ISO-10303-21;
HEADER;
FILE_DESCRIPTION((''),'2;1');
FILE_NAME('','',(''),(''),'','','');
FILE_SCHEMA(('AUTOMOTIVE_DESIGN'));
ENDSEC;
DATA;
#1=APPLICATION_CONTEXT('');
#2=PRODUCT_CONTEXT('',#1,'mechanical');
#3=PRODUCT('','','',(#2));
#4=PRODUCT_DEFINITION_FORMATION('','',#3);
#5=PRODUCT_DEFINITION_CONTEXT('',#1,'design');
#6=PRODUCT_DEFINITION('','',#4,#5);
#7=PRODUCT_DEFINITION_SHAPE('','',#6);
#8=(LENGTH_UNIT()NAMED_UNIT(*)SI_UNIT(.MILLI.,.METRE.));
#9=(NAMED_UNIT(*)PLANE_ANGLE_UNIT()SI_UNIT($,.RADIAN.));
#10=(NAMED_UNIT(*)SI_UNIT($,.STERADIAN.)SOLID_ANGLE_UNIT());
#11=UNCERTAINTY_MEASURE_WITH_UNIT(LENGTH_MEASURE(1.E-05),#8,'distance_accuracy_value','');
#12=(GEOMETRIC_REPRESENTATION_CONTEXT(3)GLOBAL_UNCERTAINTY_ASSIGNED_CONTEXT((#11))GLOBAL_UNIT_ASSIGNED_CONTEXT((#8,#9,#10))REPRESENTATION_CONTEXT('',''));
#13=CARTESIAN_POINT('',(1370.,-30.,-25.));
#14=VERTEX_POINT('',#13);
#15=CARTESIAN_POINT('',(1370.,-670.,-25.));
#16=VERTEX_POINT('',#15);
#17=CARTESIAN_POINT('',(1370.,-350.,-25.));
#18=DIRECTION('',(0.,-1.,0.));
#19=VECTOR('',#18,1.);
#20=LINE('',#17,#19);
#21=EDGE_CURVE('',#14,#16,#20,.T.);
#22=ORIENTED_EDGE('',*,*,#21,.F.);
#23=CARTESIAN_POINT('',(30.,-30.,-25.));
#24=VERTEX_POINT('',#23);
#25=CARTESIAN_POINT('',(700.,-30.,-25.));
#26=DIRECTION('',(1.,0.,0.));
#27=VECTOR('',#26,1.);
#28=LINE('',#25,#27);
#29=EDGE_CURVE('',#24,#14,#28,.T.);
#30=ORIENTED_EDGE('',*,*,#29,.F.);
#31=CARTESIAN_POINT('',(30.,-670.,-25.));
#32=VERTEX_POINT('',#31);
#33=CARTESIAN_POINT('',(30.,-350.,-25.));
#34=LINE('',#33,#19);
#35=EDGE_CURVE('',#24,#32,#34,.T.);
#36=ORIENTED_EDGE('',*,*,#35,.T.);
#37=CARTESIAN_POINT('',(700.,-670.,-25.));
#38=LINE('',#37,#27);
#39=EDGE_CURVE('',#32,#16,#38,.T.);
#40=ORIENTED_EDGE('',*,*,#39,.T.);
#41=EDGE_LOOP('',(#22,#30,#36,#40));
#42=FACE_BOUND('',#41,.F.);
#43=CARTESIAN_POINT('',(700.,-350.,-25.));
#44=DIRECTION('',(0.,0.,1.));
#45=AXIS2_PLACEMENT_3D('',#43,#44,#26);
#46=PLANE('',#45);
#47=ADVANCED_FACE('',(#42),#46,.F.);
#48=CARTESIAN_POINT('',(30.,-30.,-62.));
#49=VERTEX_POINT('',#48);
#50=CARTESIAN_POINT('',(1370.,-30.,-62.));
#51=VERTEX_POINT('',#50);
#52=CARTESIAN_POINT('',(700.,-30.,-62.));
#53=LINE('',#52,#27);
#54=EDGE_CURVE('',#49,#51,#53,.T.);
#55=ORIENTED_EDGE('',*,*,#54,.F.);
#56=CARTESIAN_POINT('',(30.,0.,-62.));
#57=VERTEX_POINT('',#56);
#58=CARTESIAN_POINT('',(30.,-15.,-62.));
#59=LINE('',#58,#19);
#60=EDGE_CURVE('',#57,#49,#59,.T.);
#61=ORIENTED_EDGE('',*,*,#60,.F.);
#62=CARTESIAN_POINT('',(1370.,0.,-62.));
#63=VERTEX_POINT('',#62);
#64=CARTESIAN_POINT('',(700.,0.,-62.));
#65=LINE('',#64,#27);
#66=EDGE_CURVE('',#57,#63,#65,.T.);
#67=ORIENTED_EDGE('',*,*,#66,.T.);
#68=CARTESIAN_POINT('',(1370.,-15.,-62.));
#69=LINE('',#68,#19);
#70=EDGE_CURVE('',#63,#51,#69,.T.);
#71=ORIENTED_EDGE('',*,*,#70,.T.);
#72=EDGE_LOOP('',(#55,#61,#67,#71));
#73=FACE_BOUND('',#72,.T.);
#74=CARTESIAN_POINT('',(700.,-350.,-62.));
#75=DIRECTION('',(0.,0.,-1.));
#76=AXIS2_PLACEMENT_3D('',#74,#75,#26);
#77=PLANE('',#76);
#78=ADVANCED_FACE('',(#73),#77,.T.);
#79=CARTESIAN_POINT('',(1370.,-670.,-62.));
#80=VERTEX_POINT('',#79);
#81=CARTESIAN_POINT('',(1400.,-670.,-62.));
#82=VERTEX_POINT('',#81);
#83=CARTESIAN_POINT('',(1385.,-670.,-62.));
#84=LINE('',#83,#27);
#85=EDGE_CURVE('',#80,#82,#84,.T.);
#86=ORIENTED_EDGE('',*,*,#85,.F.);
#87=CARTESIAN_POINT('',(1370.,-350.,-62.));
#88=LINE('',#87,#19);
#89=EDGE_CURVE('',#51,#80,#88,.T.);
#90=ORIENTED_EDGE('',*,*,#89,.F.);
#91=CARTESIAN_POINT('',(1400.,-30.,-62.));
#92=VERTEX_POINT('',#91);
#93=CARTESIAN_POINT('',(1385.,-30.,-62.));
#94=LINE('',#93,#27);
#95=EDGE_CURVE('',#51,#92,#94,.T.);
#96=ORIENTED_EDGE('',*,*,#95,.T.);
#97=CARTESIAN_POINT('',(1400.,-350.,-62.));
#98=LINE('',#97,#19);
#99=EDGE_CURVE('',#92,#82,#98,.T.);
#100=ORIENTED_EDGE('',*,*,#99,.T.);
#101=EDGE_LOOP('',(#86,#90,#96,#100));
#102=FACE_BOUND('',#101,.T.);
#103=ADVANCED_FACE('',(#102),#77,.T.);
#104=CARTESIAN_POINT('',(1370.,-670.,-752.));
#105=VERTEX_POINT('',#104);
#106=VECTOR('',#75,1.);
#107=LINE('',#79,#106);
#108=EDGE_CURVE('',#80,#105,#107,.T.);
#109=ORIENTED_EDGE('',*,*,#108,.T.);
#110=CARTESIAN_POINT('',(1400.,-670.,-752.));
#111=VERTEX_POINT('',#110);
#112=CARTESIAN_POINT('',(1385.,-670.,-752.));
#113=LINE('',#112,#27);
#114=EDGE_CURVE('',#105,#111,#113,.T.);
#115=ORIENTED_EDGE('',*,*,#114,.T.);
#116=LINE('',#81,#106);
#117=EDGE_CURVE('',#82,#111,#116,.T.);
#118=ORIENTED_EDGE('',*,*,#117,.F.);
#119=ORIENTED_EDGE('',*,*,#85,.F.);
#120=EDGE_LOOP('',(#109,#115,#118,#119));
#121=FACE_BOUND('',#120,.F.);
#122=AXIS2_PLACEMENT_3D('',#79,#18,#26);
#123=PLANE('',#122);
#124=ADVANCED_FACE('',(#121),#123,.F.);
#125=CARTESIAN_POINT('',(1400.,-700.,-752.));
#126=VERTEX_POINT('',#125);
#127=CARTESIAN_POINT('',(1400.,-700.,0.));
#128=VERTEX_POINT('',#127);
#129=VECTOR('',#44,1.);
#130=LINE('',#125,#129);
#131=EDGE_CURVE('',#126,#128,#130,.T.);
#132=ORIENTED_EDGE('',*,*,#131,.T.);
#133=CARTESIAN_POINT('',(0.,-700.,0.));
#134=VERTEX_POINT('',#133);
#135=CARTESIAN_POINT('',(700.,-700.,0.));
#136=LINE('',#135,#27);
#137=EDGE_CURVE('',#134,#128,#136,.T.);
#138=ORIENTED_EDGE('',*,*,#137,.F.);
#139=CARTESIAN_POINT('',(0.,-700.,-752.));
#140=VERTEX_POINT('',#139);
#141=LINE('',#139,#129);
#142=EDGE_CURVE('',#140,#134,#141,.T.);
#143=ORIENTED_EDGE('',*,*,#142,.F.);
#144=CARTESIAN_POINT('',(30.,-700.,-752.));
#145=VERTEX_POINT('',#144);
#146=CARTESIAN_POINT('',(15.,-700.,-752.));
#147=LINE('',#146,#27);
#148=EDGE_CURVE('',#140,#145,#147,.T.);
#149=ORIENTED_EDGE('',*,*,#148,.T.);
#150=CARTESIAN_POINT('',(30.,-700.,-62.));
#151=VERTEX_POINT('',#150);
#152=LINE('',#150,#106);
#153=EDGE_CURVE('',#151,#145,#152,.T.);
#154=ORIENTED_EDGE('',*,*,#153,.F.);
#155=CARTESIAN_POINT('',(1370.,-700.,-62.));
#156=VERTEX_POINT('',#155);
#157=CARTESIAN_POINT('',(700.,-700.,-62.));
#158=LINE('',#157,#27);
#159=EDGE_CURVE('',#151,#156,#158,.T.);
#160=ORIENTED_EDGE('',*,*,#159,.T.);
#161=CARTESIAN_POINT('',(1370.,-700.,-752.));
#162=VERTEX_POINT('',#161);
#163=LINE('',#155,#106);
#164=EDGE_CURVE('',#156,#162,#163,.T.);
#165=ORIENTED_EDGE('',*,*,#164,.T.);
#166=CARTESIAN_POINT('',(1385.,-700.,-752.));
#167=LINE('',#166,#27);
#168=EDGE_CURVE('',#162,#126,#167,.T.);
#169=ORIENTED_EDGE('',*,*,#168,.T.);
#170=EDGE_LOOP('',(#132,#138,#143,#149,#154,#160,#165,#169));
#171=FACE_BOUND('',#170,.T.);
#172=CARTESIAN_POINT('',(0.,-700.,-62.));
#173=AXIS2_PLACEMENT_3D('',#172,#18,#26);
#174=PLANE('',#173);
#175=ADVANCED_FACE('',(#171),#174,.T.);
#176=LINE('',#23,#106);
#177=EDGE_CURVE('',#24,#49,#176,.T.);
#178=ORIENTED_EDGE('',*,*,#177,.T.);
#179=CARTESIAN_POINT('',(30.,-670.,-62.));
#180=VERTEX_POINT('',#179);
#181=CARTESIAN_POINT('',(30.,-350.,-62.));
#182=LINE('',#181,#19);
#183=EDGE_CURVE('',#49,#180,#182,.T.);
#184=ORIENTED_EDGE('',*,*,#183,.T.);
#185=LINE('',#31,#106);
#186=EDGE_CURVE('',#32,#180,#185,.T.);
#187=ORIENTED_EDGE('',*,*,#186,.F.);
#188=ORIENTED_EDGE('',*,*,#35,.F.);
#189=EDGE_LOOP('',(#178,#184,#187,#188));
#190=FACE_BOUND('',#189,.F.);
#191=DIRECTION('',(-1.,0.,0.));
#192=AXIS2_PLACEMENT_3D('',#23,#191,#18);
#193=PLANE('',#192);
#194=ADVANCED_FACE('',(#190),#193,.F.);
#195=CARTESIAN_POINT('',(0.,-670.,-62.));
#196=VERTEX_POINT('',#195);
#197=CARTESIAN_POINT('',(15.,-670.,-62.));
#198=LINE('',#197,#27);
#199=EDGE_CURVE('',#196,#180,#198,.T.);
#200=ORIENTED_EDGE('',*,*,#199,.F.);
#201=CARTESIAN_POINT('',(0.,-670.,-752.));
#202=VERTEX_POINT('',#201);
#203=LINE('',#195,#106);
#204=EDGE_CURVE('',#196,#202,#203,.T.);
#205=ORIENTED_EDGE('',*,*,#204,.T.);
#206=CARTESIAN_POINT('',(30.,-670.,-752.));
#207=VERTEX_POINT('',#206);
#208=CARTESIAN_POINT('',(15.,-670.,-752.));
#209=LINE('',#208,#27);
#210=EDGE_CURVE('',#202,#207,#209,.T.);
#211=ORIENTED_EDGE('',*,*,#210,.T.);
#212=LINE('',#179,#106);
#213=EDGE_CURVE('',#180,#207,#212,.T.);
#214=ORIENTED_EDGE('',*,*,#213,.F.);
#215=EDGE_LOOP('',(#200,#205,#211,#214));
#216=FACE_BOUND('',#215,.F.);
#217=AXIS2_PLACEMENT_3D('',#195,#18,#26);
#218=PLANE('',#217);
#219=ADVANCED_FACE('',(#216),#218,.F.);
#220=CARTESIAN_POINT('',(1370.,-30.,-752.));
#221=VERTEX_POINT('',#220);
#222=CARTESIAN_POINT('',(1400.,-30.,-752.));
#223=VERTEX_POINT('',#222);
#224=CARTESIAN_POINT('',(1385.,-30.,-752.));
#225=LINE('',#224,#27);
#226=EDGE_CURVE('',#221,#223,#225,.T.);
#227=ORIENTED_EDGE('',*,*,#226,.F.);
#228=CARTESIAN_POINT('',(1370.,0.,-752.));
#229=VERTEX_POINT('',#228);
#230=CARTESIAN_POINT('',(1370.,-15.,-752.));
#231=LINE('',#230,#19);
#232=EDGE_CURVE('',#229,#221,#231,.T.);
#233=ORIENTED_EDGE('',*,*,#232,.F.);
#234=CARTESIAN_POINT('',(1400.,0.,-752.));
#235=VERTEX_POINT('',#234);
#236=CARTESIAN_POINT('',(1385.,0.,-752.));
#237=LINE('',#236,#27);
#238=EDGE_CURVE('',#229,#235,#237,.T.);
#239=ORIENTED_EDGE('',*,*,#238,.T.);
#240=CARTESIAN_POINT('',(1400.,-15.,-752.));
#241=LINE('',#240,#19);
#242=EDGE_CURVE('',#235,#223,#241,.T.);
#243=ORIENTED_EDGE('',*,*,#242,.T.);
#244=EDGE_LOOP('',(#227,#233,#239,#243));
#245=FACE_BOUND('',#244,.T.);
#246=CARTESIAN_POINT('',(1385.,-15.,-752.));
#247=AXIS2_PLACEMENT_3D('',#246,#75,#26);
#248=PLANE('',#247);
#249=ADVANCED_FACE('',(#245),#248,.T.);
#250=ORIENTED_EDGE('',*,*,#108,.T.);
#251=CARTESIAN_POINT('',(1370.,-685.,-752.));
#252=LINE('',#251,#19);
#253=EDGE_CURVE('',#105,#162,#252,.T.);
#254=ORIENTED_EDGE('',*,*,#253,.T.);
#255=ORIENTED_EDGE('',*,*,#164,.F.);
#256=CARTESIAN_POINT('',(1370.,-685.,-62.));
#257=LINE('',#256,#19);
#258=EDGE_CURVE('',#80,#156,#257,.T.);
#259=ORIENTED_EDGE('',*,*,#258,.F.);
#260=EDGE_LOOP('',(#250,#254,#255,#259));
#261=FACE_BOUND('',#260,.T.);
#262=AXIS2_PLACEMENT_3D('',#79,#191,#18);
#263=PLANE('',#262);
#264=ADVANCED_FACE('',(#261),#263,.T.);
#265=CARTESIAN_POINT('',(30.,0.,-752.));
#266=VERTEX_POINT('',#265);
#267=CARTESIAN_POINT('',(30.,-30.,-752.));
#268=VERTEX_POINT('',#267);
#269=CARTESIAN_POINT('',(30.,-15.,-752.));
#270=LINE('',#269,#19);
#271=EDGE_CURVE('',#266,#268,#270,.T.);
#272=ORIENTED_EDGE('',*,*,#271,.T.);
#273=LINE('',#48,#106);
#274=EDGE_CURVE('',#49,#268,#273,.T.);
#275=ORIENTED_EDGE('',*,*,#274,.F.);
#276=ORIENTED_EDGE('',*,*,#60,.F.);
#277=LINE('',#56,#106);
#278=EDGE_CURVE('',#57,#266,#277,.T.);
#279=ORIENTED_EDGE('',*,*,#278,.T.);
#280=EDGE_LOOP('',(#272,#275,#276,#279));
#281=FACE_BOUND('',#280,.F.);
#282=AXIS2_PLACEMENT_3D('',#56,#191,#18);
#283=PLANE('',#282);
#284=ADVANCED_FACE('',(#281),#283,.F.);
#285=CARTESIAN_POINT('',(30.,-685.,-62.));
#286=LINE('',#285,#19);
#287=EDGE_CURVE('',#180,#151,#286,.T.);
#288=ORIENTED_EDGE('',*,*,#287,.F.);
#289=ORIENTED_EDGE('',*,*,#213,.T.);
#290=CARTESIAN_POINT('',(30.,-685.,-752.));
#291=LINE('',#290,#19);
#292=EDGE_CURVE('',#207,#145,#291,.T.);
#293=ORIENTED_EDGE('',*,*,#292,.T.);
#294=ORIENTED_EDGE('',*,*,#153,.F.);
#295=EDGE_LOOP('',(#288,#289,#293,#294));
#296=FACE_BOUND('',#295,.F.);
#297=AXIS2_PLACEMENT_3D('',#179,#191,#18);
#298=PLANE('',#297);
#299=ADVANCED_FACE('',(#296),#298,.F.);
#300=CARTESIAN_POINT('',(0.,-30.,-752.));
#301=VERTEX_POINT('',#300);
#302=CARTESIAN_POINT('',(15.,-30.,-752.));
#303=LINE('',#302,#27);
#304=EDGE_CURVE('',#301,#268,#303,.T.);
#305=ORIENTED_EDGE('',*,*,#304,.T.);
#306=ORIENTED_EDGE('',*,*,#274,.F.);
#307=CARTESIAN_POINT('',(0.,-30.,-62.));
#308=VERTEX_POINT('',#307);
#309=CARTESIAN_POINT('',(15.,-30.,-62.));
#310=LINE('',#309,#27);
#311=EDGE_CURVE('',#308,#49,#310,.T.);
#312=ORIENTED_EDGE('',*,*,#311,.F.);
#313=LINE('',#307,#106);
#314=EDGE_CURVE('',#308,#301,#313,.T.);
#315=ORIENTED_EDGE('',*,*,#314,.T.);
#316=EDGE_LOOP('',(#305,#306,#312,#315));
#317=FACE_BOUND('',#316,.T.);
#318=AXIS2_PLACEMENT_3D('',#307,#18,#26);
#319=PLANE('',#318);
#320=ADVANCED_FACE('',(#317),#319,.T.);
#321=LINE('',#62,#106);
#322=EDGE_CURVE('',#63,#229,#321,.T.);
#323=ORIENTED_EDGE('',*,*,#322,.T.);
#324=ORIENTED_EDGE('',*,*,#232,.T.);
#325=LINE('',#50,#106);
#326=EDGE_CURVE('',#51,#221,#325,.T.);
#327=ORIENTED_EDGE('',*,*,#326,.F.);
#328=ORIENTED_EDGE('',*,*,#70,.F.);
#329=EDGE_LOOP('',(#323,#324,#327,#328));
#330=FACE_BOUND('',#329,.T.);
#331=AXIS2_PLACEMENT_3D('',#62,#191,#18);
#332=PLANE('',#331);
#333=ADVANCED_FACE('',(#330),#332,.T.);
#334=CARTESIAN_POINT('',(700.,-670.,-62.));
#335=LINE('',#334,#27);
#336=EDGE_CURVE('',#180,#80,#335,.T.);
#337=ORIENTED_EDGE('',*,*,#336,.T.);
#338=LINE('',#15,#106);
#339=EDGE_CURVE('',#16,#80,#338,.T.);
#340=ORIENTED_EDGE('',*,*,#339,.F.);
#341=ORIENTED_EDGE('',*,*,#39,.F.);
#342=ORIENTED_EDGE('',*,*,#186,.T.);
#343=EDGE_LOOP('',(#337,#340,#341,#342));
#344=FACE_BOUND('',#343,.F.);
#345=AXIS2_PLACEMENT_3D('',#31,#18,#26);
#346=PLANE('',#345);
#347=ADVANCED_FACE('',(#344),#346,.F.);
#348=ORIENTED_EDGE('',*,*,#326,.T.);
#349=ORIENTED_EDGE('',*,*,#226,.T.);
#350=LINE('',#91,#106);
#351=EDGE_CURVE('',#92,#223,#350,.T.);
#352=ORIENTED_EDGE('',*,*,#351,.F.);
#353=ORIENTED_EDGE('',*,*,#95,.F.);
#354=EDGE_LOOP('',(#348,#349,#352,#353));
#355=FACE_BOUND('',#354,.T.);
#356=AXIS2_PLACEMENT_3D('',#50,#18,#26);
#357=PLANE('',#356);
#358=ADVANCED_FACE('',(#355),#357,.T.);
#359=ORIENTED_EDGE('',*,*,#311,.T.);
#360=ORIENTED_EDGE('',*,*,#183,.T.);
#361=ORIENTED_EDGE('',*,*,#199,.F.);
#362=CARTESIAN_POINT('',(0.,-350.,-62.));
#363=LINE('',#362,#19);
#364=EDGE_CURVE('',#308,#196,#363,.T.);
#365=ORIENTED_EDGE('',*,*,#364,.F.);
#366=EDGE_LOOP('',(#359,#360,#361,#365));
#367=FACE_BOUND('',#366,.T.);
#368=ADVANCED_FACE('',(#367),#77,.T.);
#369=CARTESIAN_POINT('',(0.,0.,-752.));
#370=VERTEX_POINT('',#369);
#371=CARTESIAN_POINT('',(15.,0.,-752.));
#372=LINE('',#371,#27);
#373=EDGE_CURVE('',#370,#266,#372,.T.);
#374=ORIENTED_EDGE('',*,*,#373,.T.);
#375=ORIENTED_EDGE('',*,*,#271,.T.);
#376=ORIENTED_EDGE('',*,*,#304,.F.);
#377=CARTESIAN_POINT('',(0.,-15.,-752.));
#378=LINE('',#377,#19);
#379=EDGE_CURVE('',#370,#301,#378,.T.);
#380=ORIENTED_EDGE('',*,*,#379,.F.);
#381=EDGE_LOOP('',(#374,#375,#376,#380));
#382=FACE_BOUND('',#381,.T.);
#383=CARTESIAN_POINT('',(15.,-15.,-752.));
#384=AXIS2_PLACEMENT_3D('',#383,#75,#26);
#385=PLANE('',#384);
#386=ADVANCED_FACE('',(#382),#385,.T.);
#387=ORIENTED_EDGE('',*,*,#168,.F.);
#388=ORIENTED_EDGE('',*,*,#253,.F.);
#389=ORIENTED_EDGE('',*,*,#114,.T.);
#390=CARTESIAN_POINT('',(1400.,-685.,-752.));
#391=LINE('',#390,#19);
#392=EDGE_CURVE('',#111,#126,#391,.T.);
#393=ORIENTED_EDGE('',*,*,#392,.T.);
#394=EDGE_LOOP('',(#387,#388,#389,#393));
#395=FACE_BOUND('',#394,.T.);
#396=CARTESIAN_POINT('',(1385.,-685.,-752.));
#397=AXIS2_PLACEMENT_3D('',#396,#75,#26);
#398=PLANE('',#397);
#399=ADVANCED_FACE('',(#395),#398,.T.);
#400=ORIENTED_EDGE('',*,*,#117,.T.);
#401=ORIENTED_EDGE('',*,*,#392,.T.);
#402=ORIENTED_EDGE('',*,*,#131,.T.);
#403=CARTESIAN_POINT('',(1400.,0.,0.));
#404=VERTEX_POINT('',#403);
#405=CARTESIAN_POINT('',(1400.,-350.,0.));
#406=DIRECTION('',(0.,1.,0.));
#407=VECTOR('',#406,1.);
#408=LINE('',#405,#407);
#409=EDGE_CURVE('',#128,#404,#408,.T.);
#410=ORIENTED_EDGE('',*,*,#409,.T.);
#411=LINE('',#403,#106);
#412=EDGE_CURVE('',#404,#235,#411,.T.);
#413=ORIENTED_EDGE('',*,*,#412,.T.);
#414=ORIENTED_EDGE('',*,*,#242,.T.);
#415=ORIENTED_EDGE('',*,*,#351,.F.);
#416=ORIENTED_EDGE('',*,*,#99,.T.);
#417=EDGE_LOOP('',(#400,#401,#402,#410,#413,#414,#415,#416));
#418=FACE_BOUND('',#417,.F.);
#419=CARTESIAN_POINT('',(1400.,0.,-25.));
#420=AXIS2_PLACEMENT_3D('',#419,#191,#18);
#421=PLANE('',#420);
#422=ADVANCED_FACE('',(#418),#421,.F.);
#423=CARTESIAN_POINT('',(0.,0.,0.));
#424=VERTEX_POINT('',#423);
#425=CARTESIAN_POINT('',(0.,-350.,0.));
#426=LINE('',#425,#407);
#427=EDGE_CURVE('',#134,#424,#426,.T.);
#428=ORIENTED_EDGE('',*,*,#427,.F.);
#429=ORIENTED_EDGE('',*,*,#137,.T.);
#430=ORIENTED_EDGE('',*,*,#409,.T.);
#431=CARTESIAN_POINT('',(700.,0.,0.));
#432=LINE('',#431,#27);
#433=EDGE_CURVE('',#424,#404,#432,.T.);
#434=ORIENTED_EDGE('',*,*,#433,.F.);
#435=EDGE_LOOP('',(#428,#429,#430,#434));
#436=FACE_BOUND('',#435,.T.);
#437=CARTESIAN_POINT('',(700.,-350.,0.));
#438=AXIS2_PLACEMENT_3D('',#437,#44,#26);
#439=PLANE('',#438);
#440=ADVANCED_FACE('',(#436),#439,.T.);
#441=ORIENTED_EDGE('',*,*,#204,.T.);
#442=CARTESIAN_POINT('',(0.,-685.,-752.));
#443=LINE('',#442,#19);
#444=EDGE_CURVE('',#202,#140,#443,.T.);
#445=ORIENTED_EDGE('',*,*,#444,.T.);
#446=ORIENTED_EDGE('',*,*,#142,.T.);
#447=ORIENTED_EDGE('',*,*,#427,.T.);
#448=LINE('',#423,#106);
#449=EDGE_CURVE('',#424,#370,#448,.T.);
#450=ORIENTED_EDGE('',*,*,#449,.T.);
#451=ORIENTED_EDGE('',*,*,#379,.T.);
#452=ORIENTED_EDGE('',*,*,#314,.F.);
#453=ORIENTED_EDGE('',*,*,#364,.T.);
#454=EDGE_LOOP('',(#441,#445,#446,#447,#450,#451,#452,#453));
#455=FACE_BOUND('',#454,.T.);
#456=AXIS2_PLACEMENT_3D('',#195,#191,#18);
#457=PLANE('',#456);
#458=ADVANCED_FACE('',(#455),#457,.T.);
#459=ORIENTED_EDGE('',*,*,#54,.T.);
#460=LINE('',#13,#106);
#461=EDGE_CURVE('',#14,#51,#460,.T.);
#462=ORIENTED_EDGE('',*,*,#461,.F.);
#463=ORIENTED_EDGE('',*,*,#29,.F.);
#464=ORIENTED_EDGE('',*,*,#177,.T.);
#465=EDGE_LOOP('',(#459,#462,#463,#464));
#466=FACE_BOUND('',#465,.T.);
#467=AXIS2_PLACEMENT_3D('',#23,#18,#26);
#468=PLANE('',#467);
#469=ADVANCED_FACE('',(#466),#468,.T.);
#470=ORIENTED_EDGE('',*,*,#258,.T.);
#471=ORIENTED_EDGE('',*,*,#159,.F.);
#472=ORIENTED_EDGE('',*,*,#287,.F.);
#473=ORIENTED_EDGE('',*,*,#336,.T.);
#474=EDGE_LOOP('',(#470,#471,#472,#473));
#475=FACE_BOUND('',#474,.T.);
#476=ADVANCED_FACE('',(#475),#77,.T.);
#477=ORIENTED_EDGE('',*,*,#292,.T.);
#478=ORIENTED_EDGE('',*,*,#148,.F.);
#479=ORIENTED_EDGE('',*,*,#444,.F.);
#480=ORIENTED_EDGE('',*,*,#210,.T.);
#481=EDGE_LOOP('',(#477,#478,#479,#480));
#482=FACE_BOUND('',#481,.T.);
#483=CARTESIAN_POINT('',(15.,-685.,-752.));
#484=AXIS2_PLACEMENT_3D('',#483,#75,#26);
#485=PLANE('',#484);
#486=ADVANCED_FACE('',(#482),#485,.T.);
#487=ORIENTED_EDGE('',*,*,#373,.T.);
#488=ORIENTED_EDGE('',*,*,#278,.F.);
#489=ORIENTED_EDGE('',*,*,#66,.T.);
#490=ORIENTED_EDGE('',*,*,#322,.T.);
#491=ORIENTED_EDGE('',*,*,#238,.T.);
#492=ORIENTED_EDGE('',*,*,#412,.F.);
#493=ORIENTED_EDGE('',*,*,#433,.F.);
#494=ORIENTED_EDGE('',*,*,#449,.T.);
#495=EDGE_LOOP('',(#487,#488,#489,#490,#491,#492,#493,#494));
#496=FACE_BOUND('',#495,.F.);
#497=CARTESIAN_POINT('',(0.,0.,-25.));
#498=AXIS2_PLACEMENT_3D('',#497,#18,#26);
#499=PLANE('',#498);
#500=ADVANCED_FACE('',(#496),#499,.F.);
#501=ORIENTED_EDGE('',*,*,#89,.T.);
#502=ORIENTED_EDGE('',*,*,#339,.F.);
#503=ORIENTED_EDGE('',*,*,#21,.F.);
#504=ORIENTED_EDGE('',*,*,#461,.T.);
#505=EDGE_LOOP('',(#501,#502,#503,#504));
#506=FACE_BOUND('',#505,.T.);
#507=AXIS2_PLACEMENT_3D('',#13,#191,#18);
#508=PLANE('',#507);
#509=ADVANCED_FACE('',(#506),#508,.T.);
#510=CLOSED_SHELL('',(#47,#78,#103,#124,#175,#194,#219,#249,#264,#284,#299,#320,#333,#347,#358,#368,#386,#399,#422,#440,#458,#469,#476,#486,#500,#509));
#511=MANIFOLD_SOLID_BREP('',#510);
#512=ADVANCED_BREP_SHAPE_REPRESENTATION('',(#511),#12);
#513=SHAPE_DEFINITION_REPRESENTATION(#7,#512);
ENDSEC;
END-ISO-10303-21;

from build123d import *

# Parameters (mm, degrees)
F0_W     = 1400
F0_H     = 700
F1_DEPTH = 25
F2_W     = 1400
F2_H     = 700
F2_W_2   = 1340
F2_H_2   = 640
F3_DEPTH = 37
F4_W     = 30
F4_H     = 30
F5_DEPTH = 690


with BuildPart() as f1:
    # F0 (on Top) → F1 (new body)
    with BuildSketch(Plane.XY):
        with Locations((700, -350)):
            Rectangle(F0_W, F0_H)
    extrude(amount=-F1_DEPTH)

    # F2 (on face) → F3 (join)
    with BuildSketch(Plane(origin=(0, 0, -25), x_dir=(1, 0, 0), z_dir=(0, 0, -1))):
        with Locations((700, 350)):
            Rectangle(F2_W, F2_H)
        with Locations((700, 350)):
            Rectangle(F2_W_2, F2_H_2, mode=Mode.SUBTRACT)
    extrude(amount=F3_DEPTH)

    # F4 (on face) → F5 (join)
    with BuildSketch(Plane(origin=(0, 0, -62), x_dir=(1, 0, 0), z_dir=(0, 0, -1))):
        with Locations((15, 685)):
            Rectangle(F4_W, F4_H)
        with Locations((15, 15)):
            Rectangle(F4_W, F4_H)
        with Locations((1385, 685)):
            Rectangle(F4_W, F4_H)
        with Locations((1385, 15)):
            Rectangle(F4_W, F4_H)
    extrude(amount=F5_DEPTH)


solid = f1.part
